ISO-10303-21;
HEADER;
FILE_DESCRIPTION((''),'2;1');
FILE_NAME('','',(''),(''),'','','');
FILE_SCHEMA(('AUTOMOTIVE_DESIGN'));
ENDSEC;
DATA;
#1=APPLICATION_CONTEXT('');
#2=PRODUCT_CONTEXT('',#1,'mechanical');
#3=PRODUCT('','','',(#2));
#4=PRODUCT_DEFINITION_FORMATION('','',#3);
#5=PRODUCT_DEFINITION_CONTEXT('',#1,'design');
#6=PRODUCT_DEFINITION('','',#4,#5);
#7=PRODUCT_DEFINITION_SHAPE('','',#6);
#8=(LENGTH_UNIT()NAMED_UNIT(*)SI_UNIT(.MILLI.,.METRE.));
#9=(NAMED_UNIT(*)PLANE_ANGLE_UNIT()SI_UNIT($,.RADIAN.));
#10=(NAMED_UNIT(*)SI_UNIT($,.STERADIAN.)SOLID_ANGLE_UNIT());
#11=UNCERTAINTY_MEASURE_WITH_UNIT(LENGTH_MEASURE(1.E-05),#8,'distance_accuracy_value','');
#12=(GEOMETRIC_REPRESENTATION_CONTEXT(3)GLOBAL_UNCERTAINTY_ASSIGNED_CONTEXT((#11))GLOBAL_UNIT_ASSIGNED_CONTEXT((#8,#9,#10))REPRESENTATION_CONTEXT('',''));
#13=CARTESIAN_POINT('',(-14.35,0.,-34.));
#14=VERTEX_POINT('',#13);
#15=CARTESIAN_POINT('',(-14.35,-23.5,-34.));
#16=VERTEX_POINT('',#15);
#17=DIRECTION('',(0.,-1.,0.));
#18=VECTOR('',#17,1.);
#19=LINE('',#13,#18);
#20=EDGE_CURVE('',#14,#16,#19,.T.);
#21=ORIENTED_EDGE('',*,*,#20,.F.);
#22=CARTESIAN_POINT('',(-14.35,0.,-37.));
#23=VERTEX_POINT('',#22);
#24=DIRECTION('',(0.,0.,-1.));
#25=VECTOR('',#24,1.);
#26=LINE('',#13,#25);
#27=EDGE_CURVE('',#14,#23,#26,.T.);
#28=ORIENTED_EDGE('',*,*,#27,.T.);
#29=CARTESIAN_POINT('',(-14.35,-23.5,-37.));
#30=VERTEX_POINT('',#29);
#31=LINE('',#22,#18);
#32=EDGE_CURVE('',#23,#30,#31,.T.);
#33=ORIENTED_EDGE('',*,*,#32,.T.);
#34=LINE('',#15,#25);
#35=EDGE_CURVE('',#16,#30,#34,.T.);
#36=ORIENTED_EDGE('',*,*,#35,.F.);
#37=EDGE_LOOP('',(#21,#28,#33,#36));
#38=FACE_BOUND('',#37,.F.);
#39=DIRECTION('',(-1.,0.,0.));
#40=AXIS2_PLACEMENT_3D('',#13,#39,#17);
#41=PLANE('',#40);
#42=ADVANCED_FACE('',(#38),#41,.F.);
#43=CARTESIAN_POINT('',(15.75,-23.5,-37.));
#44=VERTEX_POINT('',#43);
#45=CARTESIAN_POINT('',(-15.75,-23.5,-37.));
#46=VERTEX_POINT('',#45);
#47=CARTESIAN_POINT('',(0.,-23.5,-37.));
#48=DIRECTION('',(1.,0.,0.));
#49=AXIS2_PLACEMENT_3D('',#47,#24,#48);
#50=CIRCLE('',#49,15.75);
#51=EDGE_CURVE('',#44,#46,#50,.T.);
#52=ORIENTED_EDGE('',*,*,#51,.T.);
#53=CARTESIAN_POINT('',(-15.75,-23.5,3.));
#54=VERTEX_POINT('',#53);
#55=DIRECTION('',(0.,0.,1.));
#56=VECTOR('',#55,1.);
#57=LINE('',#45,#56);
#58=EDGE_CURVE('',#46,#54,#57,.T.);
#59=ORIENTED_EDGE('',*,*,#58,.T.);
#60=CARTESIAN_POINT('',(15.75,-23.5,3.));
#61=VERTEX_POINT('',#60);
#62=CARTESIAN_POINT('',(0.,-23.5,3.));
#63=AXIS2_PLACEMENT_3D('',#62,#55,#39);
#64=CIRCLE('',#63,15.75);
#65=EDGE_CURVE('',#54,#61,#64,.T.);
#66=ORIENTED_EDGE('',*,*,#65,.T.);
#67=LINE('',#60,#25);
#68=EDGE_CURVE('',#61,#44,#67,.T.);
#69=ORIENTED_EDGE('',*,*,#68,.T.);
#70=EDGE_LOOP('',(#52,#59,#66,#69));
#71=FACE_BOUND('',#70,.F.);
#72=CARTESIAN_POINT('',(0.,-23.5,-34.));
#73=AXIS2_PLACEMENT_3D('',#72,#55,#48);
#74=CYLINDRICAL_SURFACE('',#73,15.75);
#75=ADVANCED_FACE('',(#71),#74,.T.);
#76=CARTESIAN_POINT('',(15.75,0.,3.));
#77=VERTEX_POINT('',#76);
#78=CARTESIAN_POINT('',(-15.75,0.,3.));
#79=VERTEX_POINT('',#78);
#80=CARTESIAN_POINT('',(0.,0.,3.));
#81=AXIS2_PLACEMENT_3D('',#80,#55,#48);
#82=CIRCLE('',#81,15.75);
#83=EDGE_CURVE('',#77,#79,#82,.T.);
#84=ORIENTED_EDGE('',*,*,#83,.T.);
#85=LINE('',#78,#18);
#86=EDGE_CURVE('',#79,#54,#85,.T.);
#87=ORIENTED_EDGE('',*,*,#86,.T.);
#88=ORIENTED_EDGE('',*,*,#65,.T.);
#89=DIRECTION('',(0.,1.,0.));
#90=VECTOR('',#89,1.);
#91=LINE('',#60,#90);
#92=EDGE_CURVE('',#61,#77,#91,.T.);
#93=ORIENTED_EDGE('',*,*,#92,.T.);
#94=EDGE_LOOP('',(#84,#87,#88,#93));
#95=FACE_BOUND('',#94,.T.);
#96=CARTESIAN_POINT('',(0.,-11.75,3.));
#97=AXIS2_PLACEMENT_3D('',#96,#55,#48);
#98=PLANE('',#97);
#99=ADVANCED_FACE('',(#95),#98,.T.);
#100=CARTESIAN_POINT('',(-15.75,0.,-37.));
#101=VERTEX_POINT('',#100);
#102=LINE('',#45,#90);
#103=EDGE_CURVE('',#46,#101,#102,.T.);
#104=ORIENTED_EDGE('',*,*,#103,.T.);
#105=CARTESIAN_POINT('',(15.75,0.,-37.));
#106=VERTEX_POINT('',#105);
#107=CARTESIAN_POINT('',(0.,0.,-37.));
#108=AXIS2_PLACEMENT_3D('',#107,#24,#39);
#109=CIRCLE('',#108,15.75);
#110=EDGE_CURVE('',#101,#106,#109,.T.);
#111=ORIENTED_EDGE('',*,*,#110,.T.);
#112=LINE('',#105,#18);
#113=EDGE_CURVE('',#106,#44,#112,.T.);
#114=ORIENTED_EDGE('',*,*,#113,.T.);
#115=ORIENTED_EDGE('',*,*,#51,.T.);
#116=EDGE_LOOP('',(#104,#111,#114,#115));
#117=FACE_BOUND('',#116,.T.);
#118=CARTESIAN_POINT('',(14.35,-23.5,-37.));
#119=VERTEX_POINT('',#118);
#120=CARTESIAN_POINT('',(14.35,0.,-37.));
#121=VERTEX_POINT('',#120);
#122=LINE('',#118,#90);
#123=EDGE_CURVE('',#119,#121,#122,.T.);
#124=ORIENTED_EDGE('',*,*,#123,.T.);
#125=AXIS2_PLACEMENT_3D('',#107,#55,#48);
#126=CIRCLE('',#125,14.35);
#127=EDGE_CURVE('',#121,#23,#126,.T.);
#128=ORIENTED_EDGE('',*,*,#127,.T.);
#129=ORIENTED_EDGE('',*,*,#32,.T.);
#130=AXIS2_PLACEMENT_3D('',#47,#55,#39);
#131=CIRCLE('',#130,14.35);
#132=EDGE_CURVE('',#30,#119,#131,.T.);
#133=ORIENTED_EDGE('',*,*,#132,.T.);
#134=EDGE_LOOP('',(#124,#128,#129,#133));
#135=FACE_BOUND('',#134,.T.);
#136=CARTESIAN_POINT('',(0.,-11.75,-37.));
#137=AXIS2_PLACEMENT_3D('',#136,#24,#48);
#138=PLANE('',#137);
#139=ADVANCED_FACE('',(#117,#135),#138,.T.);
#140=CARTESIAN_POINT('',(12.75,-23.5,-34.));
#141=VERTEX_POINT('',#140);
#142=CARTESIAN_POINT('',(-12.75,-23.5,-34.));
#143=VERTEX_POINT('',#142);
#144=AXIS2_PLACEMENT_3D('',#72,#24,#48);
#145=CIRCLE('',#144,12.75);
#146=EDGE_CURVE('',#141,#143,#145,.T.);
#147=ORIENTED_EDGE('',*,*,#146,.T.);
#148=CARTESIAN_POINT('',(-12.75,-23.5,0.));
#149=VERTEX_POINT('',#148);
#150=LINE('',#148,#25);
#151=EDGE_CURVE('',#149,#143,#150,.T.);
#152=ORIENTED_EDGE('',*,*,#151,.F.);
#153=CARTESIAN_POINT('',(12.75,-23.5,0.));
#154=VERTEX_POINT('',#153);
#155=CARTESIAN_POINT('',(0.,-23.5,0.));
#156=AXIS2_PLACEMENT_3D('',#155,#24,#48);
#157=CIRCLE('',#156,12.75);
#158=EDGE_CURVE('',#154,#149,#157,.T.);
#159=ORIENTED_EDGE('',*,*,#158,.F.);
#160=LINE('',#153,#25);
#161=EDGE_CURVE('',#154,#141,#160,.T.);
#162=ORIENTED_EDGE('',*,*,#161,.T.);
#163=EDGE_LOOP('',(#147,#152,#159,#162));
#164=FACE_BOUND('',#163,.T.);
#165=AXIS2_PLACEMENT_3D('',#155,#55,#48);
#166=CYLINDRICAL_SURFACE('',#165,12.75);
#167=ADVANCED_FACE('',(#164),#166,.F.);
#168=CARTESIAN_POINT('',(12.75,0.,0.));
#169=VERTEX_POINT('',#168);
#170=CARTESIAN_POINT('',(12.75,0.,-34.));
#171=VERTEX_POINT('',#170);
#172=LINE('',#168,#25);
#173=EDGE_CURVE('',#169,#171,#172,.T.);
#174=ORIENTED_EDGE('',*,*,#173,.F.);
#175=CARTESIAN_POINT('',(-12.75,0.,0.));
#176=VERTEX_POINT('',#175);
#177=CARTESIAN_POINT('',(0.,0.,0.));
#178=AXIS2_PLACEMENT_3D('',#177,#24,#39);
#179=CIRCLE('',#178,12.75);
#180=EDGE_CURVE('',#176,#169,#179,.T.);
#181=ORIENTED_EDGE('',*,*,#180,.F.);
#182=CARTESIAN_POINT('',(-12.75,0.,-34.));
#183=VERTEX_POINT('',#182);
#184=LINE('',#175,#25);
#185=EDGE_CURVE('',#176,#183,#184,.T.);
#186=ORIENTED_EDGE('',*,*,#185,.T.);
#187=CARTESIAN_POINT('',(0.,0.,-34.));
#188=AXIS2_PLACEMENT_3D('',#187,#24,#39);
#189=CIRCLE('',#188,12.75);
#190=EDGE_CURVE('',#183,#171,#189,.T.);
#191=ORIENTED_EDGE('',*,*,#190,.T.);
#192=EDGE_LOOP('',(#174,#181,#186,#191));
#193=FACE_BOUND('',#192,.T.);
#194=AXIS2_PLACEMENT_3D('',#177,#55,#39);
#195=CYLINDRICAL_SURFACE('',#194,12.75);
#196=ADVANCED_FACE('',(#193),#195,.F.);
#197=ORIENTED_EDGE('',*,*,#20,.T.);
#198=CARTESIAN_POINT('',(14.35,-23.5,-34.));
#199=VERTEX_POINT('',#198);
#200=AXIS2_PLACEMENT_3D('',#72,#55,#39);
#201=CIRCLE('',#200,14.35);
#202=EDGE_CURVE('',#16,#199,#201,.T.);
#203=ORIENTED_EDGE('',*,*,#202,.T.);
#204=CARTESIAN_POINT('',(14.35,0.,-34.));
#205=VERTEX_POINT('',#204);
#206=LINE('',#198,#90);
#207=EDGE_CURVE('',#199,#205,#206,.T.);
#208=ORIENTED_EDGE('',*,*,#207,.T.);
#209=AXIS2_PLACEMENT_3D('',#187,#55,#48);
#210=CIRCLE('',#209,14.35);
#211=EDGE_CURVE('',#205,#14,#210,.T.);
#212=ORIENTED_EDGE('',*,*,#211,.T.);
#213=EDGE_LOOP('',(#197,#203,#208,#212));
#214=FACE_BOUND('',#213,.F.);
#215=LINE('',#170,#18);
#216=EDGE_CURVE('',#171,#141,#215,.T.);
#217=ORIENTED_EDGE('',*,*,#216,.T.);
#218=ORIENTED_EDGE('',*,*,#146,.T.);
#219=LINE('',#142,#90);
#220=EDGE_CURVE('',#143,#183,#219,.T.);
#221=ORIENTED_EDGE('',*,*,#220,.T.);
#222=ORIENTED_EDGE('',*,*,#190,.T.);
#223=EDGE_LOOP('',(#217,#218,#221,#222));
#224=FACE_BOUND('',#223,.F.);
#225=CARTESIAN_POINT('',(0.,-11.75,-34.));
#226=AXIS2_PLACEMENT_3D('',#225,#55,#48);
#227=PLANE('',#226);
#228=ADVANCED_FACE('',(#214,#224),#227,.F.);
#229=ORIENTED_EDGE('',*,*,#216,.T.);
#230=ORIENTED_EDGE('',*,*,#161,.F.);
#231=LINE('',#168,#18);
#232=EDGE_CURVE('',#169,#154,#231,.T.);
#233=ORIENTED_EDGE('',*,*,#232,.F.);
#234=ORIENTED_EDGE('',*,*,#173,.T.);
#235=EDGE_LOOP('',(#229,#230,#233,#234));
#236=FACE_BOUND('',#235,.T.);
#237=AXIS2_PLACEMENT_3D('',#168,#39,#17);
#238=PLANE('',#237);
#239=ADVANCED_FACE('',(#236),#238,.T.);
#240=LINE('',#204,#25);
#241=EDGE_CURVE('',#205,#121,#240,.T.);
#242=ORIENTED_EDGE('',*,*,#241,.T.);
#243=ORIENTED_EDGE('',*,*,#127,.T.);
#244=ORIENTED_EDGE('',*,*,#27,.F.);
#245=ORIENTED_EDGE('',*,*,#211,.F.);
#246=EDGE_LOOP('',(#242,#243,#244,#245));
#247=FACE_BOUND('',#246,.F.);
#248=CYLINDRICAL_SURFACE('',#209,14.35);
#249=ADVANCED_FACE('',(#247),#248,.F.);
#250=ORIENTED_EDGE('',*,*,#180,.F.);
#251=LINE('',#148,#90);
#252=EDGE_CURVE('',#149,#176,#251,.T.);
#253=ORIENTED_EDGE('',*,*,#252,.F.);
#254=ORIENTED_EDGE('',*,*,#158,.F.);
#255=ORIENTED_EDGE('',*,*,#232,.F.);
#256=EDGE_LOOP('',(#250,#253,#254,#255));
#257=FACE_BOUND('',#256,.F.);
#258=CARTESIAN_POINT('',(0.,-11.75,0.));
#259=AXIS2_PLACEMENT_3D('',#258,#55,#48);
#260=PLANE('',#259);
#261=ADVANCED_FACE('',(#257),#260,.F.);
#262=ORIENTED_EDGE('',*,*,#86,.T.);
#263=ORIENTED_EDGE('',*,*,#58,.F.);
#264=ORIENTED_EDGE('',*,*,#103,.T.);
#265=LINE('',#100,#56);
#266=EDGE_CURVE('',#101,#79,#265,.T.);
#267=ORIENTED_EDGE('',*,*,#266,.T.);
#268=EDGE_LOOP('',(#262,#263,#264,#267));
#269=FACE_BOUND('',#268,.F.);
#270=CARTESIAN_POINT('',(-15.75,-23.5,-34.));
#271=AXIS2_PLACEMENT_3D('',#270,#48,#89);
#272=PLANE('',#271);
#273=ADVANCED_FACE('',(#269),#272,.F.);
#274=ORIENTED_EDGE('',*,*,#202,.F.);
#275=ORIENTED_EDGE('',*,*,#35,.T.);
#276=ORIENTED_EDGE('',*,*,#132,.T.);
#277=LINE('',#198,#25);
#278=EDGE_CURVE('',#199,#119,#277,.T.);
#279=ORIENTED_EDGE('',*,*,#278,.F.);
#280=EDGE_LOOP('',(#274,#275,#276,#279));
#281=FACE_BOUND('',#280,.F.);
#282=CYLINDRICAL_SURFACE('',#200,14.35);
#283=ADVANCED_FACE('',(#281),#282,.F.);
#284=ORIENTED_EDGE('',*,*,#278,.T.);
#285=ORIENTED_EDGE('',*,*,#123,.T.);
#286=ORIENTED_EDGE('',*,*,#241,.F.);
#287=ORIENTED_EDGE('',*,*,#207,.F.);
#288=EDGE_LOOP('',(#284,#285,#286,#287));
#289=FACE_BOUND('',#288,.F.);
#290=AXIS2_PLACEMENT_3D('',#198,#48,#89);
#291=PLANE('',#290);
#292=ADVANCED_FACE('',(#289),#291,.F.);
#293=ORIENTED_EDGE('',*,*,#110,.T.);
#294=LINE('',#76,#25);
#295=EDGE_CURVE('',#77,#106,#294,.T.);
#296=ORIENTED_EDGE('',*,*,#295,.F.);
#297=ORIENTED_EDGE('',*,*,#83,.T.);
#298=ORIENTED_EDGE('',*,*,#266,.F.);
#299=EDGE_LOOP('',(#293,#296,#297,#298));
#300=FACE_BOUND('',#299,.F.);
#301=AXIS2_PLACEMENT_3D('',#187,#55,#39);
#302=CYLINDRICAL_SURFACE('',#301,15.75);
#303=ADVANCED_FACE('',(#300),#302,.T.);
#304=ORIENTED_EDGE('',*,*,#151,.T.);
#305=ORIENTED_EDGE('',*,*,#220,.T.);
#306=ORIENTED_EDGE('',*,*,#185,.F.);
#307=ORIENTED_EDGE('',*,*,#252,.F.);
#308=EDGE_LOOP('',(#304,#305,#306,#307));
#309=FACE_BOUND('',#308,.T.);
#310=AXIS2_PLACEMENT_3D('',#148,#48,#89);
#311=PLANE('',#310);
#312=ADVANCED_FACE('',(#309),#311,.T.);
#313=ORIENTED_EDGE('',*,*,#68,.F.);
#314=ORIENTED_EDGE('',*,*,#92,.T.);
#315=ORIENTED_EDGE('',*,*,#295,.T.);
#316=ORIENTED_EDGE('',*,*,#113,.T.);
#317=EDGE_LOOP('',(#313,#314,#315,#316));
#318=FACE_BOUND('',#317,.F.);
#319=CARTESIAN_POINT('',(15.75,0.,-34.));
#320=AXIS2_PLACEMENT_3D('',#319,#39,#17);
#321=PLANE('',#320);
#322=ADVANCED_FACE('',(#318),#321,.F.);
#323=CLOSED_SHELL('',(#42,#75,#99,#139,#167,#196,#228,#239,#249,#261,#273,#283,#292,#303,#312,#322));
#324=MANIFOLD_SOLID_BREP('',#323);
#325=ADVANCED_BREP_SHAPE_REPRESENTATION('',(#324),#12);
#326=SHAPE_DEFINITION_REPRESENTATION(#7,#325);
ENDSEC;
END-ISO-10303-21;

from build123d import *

# Parameters (mm, degrees)
F1_DEPTH = 3
F2_DEPTH = 34
F4_DEPTH = 3


with BuildPart() as f1:
    # F0 (on Top) → F1 (new body)
    with BuildSketch(Plane.XY):
        with BuildLine():
            Line((15.75, -23.5), (15.75, 0))
            ThreePointArc((15.75, 0), (0, 15.75), (-15.75, 0))
            Line((-15.75, 0), (-15.75, -23.5))
            ThreePointArc((-15.75, -23.5), (0, -39.25), (15.75, -23.5))
        make_face()
        with BuildLine():
            ThreePointArc((-12.75, 0), (0, 12.75), (12.75, 0))
            Line((12.75, 0), (12.75, -23.5))
            ThreePointArc((12.75, -23.5), (0, -36.25), (-12.75, -23.5))
            Line((-12.75, -23.5), (-12.75, 0))
        make_face(mode=Mode.SUBTRACT)
        with BuildLine():
            ThreePointArc((-12.75, 0), (0, -12.75), (12.75, 0))
            ThreePointArc((12.75, 0), (0, 12.75), (-12.75, 0))
        make_face()
        with BuildLine():
            Line((12.75, -23.5), (12.75, 0))
            ThreePointArc((12.75, 0), (0, -12.75), (-12.75, 0))
            Line((-12.75, 0), (-12.75, -23.5))
            ThreePointArc((-12.75, -23.5), (0, -36.25), (12.75, -23.5))
        make_face()
    extrude(amount=F1_DEPTH)

    # F0 (on Top) → F2 (join)
    with BuildSketch(Plane.XY):
        with BuildLine():
            Line((15.75, -23.5), (15.75, 0))
            ThreePointArc((15.75, 0), (0, 15.75), (-15.75, 0))
            Line((-15.75, 0), (-15.75, -23.5))
            ThreePointArc((-15.75, -23.5), (0, -39.25), (15.75, -23.5))
        make_face()
        with BuildLine():
            ThreePointArc((-12.75, 0), (0, 12.75), (12.75, 0))
            Line((12.75, 0), (12.75, -23.5))
            ThreePointArc((12.75, -23.5), (0, -36.25), (-12.75, -23.5))
            Line((-12.75, -23.5), (-12.75, 0))
        make_face(mode=Mode.SUBTRACT)
    extrude(amount=-F2_DEPTH)

    # F3 (on face) → F4 (join)
    with BuildSketch(Plane(origin=(0, 0, -34), x_dir=(1, 0, 0), z_dir=(0, 0, -1))):
        with BuildLine():
            ThreePointArc((-15.75, 0), (0, -15.75), (15.75, 0))
            Line((15.75, 0), (15.75, 23.5))
            ThreePointArc((15.75, 23.5), (0, 39.25), (-15.75, 23.5))
            Line((-15.75, 23.5), (-15.75, 0))
        make_face()
        with BuildLine():
            Line((-14.35, 0), (-14.35, 23.5))
            ThreePointArc((-14.35, 23.5), (0, 37.85), (14.35, 23.5))
            Line((14.35, 23.5), (14.35, 0))
            ThreePointArc((14.35, 0), (0, -14.35), (-14.35, 0))
        make_face(mode=Mode.SUBTRACT)
    extrude(amount=F4_DEPTH)


solid = f1.part
